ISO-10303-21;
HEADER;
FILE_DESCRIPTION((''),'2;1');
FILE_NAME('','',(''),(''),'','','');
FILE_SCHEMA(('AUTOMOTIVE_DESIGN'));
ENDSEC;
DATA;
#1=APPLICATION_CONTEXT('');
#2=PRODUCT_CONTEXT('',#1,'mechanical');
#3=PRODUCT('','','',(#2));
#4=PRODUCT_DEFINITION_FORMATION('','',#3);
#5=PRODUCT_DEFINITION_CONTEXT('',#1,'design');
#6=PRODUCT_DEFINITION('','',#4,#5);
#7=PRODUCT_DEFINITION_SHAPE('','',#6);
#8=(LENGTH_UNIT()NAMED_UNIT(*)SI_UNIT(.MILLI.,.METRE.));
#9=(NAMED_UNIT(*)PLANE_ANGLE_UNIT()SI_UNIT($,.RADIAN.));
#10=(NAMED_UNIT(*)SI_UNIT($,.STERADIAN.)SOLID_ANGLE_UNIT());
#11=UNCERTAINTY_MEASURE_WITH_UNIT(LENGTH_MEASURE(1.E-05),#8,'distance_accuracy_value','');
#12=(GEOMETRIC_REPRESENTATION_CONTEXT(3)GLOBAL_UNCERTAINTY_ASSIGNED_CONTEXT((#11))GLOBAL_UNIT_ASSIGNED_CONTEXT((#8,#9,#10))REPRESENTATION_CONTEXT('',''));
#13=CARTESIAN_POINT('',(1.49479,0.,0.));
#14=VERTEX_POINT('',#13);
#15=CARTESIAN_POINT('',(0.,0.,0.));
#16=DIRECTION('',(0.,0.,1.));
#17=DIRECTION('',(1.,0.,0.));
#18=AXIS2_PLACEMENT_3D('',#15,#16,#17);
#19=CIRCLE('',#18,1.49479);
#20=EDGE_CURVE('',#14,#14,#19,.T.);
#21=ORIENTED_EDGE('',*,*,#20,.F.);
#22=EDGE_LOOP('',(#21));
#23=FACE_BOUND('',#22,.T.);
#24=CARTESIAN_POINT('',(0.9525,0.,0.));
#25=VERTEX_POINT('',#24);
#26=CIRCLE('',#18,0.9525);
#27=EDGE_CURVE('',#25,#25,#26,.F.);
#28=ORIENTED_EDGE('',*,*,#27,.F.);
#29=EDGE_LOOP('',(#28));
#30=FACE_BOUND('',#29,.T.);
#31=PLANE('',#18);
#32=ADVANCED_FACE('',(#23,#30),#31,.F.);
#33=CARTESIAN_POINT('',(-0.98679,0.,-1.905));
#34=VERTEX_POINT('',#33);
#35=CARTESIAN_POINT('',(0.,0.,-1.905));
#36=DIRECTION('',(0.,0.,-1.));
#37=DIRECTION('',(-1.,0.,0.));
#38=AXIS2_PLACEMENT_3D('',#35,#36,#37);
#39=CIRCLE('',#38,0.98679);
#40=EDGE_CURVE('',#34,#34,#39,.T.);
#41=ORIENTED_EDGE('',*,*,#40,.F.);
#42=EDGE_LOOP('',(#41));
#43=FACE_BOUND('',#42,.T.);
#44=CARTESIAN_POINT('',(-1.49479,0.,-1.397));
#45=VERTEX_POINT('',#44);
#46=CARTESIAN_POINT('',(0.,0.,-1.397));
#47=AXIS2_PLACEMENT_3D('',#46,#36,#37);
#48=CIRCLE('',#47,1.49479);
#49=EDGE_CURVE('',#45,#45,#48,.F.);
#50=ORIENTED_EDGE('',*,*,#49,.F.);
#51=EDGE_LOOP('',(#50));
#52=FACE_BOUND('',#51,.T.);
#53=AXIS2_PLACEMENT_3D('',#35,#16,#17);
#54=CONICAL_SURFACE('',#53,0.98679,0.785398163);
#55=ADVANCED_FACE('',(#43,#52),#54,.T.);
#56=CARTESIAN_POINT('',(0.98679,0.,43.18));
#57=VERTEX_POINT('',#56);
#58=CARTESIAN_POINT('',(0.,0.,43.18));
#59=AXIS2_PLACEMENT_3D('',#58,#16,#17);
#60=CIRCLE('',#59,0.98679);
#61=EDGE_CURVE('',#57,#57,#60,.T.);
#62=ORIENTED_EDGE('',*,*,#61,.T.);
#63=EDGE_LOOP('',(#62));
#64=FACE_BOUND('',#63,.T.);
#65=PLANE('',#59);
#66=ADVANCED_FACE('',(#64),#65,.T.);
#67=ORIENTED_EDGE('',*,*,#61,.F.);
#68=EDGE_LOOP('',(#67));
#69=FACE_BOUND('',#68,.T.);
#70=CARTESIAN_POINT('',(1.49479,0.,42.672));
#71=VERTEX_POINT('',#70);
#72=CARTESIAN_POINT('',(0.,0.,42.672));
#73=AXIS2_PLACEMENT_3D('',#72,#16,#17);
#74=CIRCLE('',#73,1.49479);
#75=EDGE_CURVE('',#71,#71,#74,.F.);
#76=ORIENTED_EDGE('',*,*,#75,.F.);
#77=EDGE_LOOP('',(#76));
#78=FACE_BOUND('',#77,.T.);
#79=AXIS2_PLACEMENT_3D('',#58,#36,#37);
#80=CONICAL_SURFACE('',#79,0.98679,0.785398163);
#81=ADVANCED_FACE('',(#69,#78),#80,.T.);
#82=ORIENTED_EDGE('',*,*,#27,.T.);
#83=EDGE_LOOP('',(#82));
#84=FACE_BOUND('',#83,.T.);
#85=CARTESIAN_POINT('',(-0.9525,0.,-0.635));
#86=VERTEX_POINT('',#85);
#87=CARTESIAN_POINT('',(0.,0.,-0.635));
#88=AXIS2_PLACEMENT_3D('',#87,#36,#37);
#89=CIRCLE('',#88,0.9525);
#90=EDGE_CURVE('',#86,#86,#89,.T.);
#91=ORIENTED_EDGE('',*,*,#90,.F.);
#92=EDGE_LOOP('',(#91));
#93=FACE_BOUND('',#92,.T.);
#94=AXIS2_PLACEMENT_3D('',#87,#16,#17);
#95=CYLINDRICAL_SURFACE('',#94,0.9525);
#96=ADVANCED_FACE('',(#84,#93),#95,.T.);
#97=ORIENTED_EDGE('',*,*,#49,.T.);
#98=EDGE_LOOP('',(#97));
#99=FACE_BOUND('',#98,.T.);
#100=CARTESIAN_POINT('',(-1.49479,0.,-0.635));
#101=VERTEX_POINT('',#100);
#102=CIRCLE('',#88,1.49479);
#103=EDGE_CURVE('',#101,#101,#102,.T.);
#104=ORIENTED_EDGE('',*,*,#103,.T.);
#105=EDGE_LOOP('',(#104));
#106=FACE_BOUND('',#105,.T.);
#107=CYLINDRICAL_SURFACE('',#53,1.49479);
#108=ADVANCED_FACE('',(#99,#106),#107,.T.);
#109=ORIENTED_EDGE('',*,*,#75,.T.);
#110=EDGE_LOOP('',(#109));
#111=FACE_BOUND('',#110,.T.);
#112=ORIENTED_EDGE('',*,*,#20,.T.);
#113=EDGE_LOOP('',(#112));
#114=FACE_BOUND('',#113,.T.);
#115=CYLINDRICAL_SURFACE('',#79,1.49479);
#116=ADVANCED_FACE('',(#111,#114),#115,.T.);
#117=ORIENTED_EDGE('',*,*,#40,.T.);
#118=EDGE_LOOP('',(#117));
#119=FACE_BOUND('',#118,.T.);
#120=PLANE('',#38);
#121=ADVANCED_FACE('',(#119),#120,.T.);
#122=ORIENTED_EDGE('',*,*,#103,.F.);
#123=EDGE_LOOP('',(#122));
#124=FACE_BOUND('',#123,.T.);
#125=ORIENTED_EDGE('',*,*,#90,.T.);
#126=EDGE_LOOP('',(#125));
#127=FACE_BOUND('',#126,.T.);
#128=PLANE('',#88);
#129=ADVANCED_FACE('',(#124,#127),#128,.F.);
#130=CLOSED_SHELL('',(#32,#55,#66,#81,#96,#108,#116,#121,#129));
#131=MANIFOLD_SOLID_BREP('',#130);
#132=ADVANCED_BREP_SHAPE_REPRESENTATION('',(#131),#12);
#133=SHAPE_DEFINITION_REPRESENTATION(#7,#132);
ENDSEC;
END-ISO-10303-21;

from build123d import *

# Parameters (mm, degrees)
SKETCH1_R      = 1.49479
EXTRUDE1_DEPTH = 43.18
SKETCH2_R      = 0.9525
EXTRUDE2_DEPTH = 0.635
EXTRUDE3_START = 1.27
SKETCH3_R      = 1.49479
EXTRUDE3_DEPTH = 1.27
CHAMFER1_SIZE  = 0.508


with BuildPart() as part:
    # Sketch1 → Extrude1 (new body)
    with BuildSketch(Plane.XY):
        Circle(SKETCH1_R)
    extrude(amount=EXTRUDE1_DEPTH)

    # Sketch2 → Extrude2 (add)
    with BuildSketch(Plane(origin=(0, 0, 0), x_dir=(-1, 0, 0), z_dir=(0, 0, -1))):
        with Locations(Location((0, 0, 0), (0, 0, 180))):
            Circle(SKETCH2_R)
    extrude(amount=EXTRUDE2_DEPTH)

    # Sketch3 → Extrude3 (add)
    with BuildSketch(Plane(origin=(0, 0, -0.635), x_dir=(-1, 0, 0), z_dir=(0, 0, -1)).offset(EXTRUDE3_START)):
        with Locations(Location((0, 0, 0), (0, 0, 180))):
            Circle(SKETCH3_R)
    extrude(amount=-EXTRUDE3_DEPTH)

    # Chamfer1
    chamfer1_edges = [part.edges().sort_by_distance(p)[0] for p in [
        (-1.49479, 0, -1.905),
        (-1.49479, 0, 43.18),
    ]]
    chamfer(chamfer1_edges, length=CHAMFER1_SIZE)


solid = part.part
